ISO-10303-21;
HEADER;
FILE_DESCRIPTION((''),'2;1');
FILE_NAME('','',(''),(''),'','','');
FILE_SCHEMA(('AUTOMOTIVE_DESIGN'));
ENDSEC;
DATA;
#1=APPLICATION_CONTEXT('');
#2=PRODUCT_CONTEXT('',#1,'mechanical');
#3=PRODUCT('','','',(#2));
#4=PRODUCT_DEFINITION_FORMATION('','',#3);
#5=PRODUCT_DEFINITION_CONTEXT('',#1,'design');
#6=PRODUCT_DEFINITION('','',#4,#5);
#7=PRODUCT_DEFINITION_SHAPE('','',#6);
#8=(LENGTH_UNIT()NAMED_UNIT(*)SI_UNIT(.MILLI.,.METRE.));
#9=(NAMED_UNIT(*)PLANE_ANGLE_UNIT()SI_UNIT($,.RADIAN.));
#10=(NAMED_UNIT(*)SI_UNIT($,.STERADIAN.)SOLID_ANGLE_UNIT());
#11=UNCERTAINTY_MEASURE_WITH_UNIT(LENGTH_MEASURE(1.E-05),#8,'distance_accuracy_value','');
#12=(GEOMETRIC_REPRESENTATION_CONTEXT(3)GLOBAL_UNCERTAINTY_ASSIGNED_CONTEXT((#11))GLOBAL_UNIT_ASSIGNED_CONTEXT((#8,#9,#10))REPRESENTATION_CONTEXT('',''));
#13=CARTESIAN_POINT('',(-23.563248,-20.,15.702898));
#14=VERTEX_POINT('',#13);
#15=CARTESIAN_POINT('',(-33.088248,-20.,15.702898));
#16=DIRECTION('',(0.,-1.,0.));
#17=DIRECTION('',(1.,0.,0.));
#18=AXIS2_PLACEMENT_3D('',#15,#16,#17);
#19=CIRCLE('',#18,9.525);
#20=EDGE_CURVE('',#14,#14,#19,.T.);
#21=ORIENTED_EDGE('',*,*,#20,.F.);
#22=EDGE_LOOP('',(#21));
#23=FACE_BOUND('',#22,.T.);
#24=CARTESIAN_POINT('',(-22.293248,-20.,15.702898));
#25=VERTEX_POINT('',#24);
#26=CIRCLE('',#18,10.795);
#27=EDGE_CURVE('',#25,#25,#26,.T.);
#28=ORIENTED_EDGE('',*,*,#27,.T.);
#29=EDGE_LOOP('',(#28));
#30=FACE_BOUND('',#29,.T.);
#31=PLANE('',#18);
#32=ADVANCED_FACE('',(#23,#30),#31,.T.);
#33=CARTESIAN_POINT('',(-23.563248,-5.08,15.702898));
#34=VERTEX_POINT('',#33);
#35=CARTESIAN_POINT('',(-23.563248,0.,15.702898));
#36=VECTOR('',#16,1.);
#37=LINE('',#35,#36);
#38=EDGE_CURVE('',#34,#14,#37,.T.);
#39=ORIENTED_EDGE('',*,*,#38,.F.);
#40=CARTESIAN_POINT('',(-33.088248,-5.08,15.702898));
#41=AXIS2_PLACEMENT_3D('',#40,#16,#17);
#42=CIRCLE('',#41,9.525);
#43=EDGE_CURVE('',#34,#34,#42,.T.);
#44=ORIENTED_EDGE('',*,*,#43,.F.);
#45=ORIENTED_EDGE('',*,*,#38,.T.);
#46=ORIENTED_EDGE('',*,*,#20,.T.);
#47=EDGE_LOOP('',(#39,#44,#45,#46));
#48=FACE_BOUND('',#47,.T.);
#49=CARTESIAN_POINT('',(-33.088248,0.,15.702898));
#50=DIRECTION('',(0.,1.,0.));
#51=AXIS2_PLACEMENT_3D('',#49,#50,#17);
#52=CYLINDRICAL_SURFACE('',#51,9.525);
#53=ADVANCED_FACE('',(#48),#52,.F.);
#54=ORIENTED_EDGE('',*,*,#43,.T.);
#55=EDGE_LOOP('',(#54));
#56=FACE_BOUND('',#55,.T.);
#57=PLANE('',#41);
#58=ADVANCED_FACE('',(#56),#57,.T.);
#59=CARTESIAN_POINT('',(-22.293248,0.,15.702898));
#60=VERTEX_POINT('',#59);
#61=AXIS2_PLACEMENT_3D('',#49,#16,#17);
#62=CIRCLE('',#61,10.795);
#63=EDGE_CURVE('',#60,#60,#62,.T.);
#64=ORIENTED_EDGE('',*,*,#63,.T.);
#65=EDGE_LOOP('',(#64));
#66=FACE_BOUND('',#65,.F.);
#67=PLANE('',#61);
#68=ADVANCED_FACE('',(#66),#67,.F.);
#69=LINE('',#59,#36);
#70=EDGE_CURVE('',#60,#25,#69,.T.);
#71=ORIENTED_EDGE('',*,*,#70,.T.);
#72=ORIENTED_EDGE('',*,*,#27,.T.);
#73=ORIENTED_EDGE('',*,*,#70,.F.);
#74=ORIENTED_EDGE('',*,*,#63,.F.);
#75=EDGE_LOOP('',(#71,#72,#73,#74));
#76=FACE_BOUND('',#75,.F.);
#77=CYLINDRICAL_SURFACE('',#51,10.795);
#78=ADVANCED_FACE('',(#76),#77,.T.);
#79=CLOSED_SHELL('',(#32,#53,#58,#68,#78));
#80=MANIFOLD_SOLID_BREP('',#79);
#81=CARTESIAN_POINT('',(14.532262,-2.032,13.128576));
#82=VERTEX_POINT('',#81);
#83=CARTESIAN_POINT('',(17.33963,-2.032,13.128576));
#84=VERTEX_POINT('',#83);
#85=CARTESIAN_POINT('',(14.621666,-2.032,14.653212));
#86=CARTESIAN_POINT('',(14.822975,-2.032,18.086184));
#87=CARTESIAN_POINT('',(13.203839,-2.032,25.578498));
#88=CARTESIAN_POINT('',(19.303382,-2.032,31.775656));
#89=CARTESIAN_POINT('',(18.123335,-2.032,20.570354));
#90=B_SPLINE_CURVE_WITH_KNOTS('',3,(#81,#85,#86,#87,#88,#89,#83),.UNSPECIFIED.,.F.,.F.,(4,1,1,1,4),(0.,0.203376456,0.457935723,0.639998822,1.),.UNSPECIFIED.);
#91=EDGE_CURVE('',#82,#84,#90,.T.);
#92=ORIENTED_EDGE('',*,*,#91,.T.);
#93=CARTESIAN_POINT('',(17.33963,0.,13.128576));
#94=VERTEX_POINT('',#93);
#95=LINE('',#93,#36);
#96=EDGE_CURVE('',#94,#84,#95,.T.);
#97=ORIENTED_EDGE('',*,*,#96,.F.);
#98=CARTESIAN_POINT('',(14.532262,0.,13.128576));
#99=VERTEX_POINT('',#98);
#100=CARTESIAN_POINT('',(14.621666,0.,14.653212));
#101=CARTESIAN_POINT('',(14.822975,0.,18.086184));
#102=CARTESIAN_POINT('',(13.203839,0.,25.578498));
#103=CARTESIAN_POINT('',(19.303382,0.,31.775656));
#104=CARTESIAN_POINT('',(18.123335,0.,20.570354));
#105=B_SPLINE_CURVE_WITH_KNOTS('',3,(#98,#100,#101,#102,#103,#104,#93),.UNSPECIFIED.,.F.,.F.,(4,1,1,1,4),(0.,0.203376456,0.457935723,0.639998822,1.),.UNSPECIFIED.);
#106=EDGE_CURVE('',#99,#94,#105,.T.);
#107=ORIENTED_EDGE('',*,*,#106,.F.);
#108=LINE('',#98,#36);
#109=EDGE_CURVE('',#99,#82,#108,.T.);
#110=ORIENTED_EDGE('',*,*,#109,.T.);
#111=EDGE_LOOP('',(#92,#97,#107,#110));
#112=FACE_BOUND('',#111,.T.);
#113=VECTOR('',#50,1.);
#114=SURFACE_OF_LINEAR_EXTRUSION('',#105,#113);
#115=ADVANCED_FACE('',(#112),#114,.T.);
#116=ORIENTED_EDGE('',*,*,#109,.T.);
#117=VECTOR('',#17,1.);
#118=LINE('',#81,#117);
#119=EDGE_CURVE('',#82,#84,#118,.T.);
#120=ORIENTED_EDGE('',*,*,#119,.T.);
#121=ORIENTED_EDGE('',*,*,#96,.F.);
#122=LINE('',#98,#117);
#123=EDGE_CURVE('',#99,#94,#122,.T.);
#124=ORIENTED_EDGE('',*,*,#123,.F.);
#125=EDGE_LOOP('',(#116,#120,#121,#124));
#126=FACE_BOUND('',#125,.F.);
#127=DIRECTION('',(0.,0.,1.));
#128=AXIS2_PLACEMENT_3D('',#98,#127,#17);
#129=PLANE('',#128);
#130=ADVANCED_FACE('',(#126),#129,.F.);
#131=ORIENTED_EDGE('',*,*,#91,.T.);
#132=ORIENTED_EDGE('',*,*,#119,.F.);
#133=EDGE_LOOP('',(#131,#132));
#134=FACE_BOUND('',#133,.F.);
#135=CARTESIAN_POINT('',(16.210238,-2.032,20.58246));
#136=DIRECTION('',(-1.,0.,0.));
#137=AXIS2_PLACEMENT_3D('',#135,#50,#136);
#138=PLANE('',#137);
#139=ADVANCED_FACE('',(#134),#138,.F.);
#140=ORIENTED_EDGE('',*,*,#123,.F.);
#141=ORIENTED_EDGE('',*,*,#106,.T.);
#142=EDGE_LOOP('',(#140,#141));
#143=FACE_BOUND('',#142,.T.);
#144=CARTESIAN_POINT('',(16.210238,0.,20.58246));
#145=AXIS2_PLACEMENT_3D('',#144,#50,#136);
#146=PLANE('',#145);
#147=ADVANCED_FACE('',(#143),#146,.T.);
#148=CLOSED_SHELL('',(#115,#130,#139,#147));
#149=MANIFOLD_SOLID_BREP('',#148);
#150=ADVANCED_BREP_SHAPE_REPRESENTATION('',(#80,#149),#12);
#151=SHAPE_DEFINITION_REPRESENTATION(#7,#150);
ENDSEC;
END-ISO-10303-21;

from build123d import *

# Parameters (mm, degrees)
F0_R     = 10.795
F0_R_2   = 9.525
F1_DEPTH = 20
F2_DEPTH = 5.08
F4_DEPTH = 2.032


with BuildPart() as f1:
    # F0 (on Front) → F1 (new body)
    with BuildSketch(Plane.XZ):
        with Locations((-33.0882482231, 15.7028976828)):
            Circle(F0_R)
        with Locations((-33.0882482231, 15.7028976828)):
            Circle(F0_R_2, mode=Mode.SUBTRACT)
    extrude(amount=F1_DEPTH)

    # F0 (on Front) → F2 (join)
    with BuildSketch(Plane.XZ):
        with Locations((-33.0882482231, 15.7028976828)):
            Circle(F0_R_2)
    extrude(amount=F2_DEPTH)


with BuildPart() as f4:
    # F3 (on Front) → F4 (new body)
    with BuildSketch(Plane.XZ):
        with BuildLine():
            add(Edge.make_bspline(
                [(14.5322615281, 13.1285758689), (14.6216661387, 14.6532123868), (14.8229754038, 18.0861836272), (13.2038389614, 25.578497741), (19.3033824048, 31.775655622), (18.1233349997, 20.5703536662), (17.3396300524, 13.1285758689)],
                knots=[0, 0, 0, 0, 0.2033764564, 0.4579357229, 0.6399988222, 1, 1, 1, 1], degree=3))
            Line((14.5322615281, 13.1285758689), (17.3396300524, 13.1285758689))
        make_face()
    extrude(amount=F4_DEPTH)


solid = Compound([f1.part, f4.part])
